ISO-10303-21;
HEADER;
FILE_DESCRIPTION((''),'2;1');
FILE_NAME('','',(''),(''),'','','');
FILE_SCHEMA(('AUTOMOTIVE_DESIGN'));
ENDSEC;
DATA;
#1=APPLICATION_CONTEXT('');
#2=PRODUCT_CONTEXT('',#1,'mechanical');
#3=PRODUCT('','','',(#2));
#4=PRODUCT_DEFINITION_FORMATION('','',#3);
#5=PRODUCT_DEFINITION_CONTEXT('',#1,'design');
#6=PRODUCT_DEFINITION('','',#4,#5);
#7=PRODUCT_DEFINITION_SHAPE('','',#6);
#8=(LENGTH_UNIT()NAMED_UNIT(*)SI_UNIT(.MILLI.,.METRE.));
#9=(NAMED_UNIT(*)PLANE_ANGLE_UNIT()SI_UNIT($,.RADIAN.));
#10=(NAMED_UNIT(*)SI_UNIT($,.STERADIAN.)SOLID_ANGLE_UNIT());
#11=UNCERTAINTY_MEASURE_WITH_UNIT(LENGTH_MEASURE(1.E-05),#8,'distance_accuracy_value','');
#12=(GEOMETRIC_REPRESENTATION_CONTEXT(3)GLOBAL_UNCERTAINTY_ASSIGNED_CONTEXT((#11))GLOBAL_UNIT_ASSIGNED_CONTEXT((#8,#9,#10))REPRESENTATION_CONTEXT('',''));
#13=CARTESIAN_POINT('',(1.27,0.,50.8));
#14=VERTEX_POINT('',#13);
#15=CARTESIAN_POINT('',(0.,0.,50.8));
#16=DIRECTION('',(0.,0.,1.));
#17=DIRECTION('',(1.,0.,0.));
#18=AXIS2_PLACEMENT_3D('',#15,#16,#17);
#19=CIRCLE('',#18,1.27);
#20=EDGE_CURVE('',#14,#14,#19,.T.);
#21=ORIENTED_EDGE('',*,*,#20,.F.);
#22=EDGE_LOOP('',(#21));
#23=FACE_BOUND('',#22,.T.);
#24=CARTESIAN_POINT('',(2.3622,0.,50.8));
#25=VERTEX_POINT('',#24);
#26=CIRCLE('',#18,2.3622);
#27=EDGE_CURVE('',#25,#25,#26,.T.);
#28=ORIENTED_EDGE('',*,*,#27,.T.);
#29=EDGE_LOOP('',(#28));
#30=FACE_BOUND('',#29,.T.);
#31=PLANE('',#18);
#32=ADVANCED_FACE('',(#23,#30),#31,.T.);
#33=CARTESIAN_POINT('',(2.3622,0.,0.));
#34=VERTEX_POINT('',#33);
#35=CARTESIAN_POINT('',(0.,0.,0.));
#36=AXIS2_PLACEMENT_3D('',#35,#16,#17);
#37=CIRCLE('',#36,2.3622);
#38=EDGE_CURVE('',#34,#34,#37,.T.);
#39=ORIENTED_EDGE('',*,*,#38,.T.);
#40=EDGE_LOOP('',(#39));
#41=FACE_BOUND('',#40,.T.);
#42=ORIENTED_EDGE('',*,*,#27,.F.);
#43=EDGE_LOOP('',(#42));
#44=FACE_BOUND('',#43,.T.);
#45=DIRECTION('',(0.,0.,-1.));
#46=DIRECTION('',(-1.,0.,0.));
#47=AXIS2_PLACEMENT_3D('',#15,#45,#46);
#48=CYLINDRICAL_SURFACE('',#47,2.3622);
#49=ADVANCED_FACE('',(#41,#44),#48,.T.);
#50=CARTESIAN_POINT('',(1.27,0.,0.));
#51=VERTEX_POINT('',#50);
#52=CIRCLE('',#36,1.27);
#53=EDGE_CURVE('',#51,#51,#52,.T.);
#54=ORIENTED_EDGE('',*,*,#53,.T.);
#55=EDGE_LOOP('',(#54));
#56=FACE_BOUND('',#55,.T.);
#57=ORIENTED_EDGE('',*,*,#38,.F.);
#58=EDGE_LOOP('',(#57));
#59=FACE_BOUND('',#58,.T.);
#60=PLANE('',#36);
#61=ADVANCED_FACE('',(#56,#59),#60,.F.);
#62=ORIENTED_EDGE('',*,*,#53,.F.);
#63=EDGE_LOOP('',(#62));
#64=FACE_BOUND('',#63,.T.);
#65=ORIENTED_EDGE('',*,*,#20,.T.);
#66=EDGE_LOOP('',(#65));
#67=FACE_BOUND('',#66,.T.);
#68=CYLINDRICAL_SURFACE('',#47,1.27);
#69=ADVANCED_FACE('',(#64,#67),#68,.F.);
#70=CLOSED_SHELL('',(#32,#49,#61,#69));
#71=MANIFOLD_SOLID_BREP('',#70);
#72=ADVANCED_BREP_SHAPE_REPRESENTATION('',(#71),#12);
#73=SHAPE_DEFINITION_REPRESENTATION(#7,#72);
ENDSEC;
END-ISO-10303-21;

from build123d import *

# Parameters (mm, degrees)
SKETCH1_R           = 2.3622
SKETCH1_R_2         = 1.27
BOSS_EXTRUDE1_DEPTH = 50.8


with BuildPart() as part:
    # Sketch1 → Boss-Extrude1 (new body)
    with BuildSketch(Plane.XY):
        Circle(SKETCH1_R)
        Circle(SKETCH1_R_2, mode=Mode.SUBTRACT)
    extrude(amount=BOSS_EXTRUDE1_DEPTH)


solid = part.part
